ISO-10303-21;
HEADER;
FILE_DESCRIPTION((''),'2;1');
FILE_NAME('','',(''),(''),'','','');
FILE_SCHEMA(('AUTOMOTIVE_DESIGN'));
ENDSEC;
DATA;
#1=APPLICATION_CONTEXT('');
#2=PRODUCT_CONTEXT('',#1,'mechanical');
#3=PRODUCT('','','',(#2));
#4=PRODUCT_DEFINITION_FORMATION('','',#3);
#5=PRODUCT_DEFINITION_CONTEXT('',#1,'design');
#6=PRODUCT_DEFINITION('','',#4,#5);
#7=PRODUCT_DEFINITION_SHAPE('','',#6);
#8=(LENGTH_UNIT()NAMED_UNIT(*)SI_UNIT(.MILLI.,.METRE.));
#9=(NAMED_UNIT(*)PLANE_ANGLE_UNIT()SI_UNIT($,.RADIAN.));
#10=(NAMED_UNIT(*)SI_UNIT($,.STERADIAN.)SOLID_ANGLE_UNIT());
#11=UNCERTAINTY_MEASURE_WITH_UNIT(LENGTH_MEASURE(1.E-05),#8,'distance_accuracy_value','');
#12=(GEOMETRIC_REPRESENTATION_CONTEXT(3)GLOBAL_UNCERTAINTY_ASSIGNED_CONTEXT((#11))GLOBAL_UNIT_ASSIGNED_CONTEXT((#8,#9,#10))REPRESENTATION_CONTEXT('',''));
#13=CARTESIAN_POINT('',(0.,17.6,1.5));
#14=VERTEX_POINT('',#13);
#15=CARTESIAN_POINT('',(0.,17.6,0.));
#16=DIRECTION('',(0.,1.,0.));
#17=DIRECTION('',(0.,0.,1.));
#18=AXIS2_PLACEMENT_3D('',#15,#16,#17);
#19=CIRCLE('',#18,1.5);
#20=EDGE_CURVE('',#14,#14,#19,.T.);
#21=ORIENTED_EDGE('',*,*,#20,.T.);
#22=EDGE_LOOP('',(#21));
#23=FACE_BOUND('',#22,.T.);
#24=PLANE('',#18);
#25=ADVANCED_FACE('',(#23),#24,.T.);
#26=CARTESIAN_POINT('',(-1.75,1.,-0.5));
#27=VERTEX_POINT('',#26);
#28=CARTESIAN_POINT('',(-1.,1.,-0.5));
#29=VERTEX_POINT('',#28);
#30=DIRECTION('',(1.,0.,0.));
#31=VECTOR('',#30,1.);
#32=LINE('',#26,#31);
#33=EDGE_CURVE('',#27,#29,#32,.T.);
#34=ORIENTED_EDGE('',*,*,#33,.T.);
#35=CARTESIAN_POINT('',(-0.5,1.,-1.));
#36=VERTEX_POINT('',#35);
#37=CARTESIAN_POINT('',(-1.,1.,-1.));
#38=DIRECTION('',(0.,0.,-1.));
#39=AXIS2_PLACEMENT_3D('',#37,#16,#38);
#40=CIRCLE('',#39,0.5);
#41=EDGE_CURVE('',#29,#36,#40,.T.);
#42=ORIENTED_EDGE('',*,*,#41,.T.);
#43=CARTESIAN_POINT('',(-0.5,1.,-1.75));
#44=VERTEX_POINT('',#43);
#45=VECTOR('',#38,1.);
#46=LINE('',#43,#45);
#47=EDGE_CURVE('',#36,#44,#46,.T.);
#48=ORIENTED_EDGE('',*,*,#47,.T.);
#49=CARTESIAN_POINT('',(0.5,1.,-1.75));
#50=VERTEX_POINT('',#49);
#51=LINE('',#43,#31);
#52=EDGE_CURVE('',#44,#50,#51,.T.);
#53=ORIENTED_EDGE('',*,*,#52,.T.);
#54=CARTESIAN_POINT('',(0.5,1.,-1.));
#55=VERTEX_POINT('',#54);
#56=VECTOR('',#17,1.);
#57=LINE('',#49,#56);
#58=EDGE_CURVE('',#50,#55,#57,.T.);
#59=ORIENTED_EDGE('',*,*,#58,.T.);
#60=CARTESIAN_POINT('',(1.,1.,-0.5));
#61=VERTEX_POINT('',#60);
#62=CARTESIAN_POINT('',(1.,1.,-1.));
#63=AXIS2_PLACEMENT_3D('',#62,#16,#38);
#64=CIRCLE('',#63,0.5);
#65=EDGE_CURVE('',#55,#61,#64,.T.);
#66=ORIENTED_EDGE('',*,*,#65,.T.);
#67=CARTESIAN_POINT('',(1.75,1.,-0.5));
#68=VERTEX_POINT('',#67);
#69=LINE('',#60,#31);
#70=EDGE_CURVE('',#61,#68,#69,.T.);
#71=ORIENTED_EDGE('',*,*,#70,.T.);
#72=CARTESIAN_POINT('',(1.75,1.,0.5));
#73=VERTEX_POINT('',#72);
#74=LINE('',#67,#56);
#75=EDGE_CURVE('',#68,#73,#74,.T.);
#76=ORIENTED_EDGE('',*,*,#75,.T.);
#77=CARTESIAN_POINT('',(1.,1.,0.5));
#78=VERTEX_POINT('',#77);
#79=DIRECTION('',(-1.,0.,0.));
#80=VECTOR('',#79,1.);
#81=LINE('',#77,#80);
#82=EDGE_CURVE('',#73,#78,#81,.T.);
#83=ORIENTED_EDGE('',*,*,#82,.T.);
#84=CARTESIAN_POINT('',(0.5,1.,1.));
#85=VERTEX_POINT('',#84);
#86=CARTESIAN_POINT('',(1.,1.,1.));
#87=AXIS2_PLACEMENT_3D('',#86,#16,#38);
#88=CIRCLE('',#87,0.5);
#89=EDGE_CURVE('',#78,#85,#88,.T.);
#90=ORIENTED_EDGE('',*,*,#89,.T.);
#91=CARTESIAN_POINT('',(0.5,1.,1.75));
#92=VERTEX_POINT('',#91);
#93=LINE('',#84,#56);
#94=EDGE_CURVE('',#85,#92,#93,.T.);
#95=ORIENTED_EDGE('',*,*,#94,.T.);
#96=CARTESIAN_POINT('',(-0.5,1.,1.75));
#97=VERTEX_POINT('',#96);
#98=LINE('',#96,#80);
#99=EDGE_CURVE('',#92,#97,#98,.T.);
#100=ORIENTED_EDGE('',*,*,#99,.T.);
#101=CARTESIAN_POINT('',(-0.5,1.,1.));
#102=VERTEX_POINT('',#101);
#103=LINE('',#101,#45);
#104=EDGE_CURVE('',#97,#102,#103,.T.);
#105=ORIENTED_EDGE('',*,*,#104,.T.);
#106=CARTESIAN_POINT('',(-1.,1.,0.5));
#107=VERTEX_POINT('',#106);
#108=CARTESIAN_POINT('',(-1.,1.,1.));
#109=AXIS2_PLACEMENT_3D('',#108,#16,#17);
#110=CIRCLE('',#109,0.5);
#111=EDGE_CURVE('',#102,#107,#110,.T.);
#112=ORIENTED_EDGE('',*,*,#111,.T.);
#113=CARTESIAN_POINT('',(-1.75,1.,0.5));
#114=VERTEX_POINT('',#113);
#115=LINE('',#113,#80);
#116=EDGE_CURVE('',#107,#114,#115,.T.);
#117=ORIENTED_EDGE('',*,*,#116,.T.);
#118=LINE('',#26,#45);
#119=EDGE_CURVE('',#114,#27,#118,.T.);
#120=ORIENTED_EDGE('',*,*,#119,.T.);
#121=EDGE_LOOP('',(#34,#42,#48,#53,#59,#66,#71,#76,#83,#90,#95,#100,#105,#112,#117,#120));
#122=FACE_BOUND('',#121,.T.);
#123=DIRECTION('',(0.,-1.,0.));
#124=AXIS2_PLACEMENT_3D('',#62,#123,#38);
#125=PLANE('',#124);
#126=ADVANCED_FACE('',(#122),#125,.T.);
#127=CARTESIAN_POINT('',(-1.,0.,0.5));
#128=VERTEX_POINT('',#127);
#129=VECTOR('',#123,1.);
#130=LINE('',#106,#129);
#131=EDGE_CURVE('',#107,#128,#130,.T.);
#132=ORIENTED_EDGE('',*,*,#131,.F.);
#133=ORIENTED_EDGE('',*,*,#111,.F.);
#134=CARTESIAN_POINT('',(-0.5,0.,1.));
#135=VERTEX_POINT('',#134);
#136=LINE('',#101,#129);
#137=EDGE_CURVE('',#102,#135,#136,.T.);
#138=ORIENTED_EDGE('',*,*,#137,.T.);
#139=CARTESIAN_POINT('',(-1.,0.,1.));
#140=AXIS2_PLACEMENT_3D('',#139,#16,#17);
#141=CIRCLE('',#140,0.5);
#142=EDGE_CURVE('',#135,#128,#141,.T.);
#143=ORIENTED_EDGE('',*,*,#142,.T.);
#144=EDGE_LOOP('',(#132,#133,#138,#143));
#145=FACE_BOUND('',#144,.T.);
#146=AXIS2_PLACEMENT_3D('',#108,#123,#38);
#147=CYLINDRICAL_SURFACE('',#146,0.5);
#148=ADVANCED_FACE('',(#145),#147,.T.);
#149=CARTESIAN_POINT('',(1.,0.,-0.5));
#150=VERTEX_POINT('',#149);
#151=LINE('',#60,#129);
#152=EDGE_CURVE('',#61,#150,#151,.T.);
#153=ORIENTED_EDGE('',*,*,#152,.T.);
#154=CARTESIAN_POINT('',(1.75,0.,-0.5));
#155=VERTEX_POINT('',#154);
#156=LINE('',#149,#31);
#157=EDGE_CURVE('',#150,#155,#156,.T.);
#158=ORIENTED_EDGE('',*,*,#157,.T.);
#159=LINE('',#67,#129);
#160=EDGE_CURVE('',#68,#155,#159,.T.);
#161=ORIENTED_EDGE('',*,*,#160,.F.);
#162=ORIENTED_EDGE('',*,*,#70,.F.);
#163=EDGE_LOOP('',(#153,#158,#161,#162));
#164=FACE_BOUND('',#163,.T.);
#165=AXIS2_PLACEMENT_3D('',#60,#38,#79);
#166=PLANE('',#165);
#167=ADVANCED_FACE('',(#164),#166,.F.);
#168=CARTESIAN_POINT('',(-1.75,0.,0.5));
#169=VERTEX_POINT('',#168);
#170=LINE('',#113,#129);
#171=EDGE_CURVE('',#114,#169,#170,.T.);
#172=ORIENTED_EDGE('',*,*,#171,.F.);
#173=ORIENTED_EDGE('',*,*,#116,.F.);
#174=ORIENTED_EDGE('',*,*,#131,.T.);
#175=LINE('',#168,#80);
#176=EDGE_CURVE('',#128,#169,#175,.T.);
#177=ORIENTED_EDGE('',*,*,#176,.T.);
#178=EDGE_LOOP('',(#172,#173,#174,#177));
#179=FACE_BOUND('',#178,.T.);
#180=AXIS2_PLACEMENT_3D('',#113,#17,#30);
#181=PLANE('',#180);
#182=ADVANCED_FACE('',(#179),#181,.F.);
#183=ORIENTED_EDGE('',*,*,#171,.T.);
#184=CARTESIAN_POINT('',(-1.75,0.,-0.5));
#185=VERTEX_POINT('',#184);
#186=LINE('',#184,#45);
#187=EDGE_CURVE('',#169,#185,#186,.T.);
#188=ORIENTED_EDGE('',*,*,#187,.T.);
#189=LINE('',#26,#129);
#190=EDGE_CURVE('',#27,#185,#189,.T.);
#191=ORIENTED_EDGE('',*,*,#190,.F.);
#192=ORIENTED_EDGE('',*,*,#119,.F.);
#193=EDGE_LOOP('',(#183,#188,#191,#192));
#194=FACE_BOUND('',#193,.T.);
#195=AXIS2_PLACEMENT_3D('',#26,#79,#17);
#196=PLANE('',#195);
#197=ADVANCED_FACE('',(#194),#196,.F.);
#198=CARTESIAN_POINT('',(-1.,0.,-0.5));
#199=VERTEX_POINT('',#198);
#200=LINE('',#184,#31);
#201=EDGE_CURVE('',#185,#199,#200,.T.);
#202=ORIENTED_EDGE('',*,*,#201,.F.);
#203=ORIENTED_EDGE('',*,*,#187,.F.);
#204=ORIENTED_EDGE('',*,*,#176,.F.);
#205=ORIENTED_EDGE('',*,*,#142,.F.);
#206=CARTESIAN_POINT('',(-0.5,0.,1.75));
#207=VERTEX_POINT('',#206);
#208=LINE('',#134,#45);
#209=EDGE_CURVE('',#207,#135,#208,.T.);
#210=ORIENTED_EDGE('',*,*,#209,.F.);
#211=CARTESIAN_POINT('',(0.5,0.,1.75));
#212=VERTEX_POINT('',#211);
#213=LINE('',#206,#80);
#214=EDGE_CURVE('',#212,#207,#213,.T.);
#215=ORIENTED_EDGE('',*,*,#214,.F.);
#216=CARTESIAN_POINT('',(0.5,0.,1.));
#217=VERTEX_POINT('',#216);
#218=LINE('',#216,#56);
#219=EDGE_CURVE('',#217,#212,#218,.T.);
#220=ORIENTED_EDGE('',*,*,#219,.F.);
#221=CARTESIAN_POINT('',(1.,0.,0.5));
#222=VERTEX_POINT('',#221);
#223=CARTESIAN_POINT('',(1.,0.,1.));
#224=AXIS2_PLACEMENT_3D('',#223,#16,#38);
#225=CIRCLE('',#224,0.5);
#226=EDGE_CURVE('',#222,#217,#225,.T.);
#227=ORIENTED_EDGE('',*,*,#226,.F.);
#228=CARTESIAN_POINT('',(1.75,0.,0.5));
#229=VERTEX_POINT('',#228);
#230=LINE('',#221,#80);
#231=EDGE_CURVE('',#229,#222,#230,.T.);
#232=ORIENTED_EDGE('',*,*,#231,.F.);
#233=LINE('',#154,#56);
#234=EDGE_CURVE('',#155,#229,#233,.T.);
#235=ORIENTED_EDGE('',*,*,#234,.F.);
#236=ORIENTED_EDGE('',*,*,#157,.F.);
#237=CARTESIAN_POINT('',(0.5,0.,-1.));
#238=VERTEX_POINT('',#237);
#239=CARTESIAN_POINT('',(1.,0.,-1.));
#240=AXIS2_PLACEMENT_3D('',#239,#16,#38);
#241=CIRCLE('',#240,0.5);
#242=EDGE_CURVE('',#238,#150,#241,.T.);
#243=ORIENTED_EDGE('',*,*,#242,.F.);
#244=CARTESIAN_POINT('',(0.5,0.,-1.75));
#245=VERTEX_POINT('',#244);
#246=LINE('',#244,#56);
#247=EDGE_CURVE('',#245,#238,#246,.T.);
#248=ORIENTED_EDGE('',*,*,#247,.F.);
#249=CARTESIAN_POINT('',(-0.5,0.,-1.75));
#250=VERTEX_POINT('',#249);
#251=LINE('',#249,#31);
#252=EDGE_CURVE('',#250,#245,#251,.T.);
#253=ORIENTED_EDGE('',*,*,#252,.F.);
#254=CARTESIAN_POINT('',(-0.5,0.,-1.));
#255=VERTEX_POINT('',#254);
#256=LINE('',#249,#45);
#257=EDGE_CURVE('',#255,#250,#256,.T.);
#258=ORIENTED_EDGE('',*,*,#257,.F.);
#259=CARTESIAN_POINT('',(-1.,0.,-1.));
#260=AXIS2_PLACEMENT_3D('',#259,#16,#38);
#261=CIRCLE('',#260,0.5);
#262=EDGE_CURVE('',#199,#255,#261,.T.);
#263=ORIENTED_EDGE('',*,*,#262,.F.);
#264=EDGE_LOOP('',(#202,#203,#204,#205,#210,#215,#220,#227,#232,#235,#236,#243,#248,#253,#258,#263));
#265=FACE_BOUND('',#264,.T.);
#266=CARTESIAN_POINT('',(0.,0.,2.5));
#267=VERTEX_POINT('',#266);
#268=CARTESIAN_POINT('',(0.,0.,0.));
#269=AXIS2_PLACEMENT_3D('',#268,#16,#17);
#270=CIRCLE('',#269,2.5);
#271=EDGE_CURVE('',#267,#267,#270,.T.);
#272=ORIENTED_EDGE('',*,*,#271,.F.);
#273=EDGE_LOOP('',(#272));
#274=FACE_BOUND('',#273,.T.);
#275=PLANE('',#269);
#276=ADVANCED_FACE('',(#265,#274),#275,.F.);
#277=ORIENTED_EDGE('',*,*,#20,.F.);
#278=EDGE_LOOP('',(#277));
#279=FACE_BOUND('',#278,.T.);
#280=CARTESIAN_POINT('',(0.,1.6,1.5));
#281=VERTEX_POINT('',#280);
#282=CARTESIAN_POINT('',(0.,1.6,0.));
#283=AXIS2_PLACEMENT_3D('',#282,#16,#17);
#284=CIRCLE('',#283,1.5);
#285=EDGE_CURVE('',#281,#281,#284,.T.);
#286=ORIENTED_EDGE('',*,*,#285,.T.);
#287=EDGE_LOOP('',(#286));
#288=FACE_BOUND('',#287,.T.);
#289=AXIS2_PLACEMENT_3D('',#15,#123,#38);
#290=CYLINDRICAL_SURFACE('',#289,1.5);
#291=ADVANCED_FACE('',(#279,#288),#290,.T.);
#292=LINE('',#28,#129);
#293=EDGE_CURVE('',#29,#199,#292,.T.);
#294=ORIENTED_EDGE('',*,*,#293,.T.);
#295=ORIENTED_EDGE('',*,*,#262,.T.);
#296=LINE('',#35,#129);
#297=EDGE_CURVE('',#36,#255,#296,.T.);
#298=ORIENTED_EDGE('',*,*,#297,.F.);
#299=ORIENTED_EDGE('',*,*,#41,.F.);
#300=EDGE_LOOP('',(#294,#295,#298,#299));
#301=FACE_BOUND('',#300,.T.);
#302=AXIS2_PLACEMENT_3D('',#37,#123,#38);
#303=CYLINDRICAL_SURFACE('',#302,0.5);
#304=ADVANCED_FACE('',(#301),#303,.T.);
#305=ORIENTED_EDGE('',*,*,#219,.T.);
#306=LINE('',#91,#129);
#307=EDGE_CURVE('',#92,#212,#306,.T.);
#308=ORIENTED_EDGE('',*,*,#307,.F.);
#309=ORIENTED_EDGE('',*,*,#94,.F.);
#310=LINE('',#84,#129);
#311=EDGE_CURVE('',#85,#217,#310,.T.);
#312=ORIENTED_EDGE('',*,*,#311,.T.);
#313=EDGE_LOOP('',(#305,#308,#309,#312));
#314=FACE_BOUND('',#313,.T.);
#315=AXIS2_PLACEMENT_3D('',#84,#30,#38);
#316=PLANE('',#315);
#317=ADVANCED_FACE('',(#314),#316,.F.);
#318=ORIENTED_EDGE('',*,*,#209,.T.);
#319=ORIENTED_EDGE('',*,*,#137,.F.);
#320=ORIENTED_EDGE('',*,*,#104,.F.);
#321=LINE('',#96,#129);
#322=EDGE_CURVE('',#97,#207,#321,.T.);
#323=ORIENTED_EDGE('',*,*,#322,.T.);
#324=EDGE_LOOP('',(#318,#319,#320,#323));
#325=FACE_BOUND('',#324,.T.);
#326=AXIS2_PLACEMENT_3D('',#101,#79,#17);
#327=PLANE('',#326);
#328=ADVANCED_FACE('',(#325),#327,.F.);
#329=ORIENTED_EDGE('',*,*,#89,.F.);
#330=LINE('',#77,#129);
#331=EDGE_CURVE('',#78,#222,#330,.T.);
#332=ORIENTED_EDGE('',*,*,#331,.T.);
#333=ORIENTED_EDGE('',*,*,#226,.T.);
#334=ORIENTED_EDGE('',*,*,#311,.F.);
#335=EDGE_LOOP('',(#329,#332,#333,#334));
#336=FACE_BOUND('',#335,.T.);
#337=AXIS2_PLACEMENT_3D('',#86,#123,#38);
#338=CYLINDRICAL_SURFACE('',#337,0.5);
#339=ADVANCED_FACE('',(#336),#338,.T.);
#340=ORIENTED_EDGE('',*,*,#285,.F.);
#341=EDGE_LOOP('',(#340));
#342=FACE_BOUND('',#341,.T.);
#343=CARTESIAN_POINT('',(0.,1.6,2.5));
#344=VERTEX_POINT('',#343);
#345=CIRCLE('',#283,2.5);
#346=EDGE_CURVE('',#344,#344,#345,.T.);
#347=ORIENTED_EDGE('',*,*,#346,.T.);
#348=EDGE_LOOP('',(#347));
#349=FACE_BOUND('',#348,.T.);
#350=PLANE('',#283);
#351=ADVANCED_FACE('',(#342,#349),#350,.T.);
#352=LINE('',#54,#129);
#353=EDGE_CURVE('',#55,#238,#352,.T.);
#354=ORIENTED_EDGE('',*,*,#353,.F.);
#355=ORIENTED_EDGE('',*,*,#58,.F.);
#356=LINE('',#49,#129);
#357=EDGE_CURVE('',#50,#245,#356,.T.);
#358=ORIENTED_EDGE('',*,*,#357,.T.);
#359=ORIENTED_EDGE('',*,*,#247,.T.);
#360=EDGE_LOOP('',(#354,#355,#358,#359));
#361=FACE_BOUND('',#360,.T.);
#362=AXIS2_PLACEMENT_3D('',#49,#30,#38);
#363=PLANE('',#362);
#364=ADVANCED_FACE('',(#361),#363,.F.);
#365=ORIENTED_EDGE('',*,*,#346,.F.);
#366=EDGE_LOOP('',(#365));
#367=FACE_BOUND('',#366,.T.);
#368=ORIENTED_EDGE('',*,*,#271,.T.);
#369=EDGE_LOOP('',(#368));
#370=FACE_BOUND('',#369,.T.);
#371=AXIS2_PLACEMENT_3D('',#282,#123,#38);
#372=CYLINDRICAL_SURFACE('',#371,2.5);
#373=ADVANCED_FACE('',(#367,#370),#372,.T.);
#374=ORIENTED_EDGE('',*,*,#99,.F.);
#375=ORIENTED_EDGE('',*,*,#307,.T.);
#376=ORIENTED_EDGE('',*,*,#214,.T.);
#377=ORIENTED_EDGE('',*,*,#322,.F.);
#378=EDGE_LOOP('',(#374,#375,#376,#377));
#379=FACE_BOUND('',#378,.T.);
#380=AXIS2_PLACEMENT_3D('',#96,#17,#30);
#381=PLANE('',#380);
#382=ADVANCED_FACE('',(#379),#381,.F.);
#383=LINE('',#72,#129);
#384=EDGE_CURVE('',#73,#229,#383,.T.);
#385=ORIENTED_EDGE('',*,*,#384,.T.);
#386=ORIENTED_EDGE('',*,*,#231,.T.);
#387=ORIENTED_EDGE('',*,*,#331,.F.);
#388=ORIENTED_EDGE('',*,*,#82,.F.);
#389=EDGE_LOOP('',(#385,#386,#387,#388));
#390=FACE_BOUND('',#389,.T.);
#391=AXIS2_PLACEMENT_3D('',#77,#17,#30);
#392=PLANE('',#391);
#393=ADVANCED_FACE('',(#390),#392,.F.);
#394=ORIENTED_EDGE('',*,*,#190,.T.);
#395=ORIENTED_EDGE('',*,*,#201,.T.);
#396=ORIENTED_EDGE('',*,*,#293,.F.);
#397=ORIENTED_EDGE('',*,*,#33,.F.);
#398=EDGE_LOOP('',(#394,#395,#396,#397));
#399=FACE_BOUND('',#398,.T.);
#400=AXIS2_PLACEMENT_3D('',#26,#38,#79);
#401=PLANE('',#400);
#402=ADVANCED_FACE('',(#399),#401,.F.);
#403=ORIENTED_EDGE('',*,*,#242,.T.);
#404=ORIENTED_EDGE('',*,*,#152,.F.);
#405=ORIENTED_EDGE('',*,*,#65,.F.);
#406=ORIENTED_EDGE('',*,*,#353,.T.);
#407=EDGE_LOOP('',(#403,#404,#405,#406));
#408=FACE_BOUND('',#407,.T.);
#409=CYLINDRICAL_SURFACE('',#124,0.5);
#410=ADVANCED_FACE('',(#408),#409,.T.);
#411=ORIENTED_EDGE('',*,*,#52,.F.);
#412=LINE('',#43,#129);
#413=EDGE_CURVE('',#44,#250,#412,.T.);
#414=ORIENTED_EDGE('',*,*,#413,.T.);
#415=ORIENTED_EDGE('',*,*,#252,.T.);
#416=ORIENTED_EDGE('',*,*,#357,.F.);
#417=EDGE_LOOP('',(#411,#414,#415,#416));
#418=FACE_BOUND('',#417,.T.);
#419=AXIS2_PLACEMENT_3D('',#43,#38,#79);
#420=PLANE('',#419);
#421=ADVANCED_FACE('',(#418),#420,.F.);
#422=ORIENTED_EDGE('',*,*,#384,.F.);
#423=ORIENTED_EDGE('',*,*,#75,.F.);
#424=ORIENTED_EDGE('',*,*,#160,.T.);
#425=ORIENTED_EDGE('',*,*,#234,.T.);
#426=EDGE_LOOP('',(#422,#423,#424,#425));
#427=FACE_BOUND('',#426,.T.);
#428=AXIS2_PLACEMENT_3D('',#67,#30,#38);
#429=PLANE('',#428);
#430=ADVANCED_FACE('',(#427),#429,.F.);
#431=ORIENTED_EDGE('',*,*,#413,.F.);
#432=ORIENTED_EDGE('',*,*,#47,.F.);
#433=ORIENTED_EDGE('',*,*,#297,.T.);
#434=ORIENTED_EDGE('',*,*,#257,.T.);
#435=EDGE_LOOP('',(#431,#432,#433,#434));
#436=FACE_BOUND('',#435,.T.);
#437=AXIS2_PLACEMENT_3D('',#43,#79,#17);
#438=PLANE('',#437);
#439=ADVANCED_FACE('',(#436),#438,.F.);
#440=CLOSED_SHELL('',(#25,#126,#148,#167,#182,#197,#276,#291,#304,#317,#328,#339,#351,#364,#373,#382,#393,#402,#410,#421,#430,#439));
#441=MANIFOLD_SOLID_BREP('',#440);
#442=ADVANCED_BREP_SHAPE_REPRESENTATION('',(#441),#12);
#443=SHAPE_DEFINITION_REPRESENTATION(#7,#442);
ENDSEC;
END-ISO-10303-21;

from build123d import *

# Parameters (mm, degrees)
SKETCH_1_R          = 2.5
EXTRUDE_1_DEPTH     = 1.6
SKETCH_2_R          = 1.5
EXTRUDE_2_DEPTH     = 16
CUT_EXTRUDE_1_DEPTH = 1


with BuildPart() as part:
    # 草图1 → 凸台-拉伸1 (new body)
    with BuildSketch(Plane(origin=(0, 0, 0), x_dir=(1, 0, 0), z_dir=(0, 1, 0))):
        Circle(SKETCH_1_R)
    extrude(amount=EXTRUDE_1_DEPTH)

    # 草图2 → 凸台-拉伸2 (add)
    with BuildSketch(Plane(origin=(0, 1.6, 0), x_dir=(1, 0, 0), z_dir=(0, 1, 0))):
        Circle(SKETCH_2_R)
    extrude(amount=EXTRUDE_2_DEPTH)

    # 草图3 → 切除-拉伸1 (cut)
    with BuildSketch(Plane.XZ):
        with BuildLine():
            Line((-0.5, 1), (-0.5, 1.75))
            Line((-0.5, 1.75), (0.5, 1.75))
            Line((0.5, 1.75), (0.5, 1))
            ThreePointArc((0.5, 1), (0.646446609, 0.646446609), (1, 0.5))
            Line((1, 0.5), (1.75, 0.5))
            Line((1.75, 0.5), (1.75, -0.5))
            Line((1.75, -0.5), (1, -0.5))
            ThreePointArc((1, -0.5), (0.646446609, -0.646446609), (0.5, -1))
            Line((0.5, -1), (0.5, -1.75))
            Line((0.5, -1.75), (-0.5, -1.75))
            Line((-0.5, -1.75), (-0.5, -1))
            ThreePointArc((-0.5, -1), (-0.646446609, -0.646446609), (-1, -0.5))
            Line((-1, -0.5), (-1.75, -0.5))
            Line((-1.75, -0.5), (-1.75, 0.5))
            Line((-1.75, 0.5), (-1, 0.5))
            ThreePointArc((-1, 0.5), (-0.646446609, 0.646446609), (-0.5, 1))
        make_face()
    extrude(amount=-CUT_EXTRUDE_1_DEPTH, mode=Mode.SUBTRACT)


solid = part.part
